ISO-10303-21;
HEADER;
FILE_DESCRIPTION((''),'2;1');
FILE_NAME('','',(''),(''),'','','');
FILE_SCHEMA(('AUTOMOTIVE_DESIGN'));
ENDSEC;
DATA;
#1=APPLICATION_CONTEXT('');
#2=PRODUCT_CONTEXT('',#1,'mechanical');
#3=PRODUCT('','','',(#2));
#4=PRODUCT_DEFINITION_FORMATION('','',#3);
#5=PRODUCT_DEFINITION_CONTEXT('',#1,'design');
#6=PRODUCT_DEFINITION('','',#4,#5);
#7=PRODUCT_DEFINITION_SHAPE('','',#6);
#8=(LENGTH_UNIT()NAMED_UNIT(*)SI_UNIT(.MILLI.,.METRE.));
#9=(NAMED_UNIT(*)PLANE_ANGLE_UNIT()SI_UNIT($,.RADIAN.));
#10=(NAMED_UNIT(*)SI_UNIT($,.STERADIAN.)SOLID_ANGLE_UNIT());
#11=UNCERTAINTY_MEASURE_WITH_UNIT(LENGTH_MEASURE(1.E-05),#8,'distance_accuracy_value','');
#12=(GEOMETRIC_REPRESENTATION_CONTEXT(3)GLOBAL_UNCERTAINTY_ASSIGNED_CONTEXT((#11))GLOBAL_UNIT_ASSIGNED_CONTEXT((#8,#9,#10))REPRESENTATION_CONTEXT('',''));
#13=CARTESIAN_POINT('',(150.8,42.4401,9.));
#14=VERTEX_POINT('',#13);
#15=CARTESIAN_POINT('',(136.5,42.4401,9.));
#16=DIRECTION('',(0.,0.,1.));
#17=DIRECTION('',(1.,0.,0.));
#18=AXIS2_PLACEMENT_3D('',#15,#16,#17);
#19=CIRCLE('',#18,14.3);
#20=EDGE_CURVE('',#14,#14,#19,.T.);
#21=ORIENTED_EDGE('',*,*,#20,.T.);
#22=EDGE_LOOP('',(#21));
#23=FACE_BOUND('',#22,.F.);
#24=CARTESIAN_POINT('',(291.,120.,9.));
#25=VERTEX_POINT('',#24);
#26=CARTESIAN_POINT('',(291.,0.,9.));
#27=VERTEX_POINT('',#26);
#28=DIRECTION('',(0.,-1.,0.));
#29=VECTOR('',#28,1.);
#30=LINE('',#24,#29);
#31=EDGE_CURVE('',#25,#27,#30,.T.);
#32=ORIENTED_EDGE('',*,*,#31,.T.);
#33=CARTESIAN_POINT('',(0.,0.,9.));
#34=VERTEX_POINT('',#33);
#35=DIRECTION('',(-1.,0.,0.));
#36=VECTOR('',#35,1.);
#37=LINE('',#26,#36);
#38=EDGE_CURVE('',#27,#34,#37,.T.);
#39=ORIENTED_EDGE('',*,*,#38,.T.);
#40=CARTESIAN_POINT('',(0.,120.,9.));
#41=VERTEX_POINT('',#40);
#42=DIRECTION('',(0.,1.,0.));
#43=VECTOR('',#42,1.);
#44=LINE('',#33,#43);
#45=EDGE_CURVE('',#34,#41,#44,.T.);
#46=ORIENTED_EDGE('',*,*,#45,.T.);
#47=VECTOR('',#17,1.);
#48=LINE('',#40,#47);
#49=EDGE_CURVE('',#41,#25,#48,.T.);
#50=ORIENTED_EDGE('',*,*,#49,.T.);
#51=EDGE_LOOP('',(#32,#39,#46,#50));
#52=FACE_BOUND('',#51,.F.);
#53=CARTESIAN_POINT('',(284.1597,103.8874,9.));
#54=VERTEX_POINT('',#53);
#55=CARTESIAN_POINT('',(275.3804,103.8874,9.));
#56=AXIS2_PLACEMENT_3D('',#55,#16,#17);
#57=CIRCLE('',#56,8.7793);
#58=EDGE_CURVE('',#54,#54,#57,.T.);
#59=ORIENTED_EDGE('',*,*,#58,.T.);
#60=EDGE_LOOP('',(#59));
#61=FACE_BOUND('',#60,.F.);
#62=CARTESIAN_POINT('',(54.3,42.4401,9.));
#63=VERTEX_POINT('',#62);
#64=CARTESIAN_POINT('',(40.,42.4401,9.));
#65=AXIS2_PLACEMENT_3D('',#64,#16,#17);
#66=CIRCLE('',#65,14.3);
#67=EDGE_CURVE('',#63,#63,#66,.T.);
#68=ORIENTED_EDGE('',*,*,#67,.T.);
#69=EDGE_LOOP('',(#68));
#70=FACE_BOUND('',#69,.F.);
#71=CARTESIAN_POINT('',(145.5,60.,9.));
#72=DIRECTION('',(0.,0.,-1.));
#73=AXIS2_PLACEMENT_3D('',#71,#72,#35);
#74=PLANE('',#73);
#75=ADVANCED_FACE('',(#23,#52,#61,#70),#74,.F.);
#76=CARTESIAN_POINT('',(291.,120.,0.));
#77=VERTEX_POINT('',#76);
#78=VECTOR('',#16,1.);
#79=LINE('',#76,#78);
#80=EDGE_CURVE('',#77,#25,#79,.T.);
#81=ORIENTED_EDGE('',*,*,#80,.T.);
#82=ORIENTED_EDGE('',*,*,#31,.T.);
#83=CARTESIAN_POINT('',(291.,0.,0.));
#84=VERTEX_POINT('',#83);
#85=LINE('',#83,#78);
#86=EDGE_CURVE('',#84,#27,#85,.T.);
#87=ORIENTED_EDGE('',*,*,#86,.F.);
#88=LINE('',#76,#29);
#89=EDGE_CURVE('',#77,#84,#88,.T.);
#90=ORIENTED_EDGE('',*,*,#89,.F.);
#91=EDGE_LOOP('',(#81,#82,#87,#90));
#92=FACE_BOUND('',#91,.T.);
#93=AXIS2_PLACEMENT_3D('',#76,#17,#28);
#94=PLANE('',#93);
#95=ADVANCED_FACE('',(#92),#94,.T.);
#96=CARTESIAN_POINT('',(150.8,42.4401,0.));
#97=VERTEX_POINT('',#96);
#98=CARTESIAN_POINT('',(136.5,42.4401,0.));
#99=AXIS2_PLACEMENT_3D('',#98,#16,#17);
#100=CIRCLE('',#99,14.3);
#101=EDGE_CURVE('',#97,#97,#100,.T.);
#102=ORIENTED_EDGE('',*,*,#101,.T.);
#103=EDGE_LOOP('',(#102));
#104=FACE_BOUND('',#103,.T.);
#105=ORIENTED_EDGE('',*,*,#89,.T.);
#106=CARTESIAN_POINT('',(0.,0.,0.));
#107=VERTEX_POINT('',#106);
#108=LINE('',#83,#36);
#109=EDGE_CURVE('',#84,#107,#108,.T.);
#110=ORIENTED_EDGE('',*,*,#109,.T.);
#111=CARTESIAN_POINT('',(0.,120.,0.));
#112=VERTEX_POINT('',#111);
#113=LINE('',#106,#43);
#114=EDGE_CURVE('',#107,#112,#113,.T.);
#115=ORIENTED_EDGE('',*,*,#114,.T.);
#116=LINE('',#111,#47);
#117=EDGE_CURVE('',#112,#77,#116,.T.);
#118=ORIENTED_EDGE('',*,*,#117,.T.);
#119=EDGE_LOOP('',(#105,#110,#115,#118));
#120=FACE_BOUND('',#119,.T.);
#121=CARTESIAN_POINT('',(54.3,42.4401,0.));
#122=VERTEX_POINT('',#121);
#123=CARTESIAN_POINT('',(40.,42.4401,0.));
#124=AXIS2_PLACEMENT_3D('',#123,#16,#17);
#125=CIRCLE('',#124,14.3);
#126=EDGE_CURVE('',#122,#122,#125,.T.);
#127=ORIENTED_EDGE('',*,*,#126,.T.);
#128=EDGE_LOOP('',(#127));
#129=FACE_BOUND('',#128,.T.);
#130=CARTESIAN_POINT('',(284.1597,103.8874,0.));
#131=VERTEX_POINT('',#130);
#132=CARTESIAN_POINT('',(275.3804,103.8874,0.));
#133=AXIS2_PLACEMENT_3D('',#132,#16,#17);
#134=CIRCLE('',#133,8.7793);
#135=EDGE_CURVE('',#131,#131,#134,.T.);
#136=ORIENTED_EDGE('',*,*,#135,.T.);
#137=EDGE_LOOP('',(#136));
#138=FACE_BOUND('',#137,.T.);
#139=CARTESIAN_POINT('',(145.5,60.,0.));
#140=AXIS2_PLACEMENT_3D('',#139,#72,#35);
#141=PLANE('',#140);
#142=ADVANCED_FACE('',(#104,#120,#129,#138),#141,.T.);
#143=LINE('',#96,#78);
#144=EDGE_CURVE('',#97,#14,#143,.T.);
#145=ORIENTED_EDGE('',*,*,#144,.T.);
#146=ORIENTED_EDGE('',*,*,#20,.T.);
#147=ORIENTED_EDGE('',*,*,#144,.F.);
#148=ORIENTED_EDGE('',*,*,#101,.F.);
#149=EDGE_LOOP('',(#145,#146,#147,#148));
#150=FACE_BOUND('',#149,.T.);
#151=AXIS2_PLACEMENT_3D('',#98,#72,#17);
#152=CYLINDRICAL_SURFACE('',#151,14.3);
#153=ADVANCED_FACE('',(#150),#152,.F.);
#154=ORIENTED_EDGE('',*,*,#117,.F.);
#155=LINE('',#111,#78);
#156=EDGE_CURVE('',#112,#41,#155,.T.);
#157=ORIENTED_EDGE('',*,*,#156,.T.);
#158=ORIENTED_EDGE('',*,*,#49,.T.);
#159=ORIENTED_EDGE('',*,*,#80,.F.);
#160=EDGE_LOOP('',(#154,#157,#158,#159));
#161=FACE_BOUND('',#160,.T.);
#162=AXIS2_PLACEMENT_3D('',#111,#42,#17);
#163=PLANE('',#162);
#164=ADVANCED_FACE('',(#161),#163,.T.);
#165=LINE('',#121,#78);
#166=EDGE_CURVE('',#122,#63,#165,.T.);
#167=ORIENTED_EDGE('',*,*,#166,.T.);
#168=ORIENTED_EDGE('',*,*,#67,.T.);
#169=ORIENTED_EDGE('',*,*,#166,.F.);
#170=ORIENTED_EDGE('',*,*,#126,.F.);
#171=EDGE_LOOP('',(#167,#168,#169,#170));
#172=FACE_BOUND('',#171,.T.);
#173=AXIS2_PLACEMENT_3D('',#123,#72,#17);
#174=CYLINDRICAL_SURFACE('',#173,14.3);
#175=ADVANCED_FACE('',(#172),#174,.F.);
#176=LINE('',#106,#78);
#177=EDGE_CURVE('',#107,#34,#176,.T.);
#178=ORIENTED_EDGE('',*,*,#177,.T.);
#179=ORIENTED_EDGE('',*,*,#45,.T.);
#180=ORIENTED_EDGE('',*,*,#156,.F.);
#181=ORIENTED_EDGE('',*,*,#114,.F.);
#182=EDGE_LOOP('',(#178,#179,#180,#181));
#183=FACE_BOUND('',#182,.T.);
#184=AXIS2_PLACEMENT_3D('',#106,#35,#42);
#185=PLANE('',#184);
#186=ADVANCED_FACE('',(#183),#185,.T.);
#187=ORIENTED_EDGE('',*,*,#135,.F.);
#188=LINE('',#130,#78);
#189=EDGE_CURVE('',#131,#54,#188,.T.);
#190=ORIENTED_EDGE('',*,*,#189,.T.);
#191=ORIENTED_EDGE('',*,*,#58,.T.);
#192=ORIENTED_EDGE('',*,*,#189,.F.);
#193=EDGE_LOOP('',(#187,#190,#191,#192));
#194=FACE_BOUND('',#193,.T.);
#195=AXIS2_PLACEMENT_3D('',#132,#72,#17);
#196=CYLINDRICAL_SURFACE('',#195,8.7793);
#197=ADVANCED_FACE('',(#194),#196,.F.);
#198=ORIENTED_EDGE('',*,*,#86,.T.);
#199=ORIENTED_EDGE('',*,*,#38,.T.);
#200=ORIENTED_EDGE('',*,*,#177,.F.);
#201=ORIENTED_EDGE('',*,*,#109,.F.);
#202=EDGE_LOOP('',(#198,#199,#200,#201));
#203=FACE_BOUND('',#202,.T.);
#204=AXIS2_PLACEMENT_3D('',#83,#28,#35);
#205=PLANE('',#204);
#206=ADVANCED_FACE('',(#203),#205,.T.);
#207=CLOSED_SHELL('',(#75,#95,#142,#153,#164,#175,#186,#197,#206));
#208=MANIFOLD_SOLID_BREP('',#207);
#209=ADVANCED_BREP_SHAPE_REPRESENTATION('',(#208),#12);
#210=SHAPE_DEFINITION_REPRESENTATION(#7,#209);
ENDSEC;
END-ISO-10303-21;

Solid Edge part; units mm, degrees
sketch "Sketch1" plane through (0, 0, 0) normal (0, 0, 1) x (1, 0, 0)
  line L0 (291, 0) -> (0, 0)
  line L1 (0, 0) -> (0, 120)
  line L2 (0, 120) -> (291, 120)
  line L3 (291, 120) -> (291, 0)
  circle A0 centre (275.3804, 103.8874) radius 8.7793
  circle A1 centre (136.5, 42.4401) radius 14.3
  circle A2 centre (40, 42.4401) radius 14.3
  dimension "D1" = 120
  dimension "D2" = 291
  dimension "D3" = 40
  dimension "D4" = 42.4401
  dimension "D5" = 136.5
extrude "Protrusion1" add sketch "Sketch1" along normal blind 9
